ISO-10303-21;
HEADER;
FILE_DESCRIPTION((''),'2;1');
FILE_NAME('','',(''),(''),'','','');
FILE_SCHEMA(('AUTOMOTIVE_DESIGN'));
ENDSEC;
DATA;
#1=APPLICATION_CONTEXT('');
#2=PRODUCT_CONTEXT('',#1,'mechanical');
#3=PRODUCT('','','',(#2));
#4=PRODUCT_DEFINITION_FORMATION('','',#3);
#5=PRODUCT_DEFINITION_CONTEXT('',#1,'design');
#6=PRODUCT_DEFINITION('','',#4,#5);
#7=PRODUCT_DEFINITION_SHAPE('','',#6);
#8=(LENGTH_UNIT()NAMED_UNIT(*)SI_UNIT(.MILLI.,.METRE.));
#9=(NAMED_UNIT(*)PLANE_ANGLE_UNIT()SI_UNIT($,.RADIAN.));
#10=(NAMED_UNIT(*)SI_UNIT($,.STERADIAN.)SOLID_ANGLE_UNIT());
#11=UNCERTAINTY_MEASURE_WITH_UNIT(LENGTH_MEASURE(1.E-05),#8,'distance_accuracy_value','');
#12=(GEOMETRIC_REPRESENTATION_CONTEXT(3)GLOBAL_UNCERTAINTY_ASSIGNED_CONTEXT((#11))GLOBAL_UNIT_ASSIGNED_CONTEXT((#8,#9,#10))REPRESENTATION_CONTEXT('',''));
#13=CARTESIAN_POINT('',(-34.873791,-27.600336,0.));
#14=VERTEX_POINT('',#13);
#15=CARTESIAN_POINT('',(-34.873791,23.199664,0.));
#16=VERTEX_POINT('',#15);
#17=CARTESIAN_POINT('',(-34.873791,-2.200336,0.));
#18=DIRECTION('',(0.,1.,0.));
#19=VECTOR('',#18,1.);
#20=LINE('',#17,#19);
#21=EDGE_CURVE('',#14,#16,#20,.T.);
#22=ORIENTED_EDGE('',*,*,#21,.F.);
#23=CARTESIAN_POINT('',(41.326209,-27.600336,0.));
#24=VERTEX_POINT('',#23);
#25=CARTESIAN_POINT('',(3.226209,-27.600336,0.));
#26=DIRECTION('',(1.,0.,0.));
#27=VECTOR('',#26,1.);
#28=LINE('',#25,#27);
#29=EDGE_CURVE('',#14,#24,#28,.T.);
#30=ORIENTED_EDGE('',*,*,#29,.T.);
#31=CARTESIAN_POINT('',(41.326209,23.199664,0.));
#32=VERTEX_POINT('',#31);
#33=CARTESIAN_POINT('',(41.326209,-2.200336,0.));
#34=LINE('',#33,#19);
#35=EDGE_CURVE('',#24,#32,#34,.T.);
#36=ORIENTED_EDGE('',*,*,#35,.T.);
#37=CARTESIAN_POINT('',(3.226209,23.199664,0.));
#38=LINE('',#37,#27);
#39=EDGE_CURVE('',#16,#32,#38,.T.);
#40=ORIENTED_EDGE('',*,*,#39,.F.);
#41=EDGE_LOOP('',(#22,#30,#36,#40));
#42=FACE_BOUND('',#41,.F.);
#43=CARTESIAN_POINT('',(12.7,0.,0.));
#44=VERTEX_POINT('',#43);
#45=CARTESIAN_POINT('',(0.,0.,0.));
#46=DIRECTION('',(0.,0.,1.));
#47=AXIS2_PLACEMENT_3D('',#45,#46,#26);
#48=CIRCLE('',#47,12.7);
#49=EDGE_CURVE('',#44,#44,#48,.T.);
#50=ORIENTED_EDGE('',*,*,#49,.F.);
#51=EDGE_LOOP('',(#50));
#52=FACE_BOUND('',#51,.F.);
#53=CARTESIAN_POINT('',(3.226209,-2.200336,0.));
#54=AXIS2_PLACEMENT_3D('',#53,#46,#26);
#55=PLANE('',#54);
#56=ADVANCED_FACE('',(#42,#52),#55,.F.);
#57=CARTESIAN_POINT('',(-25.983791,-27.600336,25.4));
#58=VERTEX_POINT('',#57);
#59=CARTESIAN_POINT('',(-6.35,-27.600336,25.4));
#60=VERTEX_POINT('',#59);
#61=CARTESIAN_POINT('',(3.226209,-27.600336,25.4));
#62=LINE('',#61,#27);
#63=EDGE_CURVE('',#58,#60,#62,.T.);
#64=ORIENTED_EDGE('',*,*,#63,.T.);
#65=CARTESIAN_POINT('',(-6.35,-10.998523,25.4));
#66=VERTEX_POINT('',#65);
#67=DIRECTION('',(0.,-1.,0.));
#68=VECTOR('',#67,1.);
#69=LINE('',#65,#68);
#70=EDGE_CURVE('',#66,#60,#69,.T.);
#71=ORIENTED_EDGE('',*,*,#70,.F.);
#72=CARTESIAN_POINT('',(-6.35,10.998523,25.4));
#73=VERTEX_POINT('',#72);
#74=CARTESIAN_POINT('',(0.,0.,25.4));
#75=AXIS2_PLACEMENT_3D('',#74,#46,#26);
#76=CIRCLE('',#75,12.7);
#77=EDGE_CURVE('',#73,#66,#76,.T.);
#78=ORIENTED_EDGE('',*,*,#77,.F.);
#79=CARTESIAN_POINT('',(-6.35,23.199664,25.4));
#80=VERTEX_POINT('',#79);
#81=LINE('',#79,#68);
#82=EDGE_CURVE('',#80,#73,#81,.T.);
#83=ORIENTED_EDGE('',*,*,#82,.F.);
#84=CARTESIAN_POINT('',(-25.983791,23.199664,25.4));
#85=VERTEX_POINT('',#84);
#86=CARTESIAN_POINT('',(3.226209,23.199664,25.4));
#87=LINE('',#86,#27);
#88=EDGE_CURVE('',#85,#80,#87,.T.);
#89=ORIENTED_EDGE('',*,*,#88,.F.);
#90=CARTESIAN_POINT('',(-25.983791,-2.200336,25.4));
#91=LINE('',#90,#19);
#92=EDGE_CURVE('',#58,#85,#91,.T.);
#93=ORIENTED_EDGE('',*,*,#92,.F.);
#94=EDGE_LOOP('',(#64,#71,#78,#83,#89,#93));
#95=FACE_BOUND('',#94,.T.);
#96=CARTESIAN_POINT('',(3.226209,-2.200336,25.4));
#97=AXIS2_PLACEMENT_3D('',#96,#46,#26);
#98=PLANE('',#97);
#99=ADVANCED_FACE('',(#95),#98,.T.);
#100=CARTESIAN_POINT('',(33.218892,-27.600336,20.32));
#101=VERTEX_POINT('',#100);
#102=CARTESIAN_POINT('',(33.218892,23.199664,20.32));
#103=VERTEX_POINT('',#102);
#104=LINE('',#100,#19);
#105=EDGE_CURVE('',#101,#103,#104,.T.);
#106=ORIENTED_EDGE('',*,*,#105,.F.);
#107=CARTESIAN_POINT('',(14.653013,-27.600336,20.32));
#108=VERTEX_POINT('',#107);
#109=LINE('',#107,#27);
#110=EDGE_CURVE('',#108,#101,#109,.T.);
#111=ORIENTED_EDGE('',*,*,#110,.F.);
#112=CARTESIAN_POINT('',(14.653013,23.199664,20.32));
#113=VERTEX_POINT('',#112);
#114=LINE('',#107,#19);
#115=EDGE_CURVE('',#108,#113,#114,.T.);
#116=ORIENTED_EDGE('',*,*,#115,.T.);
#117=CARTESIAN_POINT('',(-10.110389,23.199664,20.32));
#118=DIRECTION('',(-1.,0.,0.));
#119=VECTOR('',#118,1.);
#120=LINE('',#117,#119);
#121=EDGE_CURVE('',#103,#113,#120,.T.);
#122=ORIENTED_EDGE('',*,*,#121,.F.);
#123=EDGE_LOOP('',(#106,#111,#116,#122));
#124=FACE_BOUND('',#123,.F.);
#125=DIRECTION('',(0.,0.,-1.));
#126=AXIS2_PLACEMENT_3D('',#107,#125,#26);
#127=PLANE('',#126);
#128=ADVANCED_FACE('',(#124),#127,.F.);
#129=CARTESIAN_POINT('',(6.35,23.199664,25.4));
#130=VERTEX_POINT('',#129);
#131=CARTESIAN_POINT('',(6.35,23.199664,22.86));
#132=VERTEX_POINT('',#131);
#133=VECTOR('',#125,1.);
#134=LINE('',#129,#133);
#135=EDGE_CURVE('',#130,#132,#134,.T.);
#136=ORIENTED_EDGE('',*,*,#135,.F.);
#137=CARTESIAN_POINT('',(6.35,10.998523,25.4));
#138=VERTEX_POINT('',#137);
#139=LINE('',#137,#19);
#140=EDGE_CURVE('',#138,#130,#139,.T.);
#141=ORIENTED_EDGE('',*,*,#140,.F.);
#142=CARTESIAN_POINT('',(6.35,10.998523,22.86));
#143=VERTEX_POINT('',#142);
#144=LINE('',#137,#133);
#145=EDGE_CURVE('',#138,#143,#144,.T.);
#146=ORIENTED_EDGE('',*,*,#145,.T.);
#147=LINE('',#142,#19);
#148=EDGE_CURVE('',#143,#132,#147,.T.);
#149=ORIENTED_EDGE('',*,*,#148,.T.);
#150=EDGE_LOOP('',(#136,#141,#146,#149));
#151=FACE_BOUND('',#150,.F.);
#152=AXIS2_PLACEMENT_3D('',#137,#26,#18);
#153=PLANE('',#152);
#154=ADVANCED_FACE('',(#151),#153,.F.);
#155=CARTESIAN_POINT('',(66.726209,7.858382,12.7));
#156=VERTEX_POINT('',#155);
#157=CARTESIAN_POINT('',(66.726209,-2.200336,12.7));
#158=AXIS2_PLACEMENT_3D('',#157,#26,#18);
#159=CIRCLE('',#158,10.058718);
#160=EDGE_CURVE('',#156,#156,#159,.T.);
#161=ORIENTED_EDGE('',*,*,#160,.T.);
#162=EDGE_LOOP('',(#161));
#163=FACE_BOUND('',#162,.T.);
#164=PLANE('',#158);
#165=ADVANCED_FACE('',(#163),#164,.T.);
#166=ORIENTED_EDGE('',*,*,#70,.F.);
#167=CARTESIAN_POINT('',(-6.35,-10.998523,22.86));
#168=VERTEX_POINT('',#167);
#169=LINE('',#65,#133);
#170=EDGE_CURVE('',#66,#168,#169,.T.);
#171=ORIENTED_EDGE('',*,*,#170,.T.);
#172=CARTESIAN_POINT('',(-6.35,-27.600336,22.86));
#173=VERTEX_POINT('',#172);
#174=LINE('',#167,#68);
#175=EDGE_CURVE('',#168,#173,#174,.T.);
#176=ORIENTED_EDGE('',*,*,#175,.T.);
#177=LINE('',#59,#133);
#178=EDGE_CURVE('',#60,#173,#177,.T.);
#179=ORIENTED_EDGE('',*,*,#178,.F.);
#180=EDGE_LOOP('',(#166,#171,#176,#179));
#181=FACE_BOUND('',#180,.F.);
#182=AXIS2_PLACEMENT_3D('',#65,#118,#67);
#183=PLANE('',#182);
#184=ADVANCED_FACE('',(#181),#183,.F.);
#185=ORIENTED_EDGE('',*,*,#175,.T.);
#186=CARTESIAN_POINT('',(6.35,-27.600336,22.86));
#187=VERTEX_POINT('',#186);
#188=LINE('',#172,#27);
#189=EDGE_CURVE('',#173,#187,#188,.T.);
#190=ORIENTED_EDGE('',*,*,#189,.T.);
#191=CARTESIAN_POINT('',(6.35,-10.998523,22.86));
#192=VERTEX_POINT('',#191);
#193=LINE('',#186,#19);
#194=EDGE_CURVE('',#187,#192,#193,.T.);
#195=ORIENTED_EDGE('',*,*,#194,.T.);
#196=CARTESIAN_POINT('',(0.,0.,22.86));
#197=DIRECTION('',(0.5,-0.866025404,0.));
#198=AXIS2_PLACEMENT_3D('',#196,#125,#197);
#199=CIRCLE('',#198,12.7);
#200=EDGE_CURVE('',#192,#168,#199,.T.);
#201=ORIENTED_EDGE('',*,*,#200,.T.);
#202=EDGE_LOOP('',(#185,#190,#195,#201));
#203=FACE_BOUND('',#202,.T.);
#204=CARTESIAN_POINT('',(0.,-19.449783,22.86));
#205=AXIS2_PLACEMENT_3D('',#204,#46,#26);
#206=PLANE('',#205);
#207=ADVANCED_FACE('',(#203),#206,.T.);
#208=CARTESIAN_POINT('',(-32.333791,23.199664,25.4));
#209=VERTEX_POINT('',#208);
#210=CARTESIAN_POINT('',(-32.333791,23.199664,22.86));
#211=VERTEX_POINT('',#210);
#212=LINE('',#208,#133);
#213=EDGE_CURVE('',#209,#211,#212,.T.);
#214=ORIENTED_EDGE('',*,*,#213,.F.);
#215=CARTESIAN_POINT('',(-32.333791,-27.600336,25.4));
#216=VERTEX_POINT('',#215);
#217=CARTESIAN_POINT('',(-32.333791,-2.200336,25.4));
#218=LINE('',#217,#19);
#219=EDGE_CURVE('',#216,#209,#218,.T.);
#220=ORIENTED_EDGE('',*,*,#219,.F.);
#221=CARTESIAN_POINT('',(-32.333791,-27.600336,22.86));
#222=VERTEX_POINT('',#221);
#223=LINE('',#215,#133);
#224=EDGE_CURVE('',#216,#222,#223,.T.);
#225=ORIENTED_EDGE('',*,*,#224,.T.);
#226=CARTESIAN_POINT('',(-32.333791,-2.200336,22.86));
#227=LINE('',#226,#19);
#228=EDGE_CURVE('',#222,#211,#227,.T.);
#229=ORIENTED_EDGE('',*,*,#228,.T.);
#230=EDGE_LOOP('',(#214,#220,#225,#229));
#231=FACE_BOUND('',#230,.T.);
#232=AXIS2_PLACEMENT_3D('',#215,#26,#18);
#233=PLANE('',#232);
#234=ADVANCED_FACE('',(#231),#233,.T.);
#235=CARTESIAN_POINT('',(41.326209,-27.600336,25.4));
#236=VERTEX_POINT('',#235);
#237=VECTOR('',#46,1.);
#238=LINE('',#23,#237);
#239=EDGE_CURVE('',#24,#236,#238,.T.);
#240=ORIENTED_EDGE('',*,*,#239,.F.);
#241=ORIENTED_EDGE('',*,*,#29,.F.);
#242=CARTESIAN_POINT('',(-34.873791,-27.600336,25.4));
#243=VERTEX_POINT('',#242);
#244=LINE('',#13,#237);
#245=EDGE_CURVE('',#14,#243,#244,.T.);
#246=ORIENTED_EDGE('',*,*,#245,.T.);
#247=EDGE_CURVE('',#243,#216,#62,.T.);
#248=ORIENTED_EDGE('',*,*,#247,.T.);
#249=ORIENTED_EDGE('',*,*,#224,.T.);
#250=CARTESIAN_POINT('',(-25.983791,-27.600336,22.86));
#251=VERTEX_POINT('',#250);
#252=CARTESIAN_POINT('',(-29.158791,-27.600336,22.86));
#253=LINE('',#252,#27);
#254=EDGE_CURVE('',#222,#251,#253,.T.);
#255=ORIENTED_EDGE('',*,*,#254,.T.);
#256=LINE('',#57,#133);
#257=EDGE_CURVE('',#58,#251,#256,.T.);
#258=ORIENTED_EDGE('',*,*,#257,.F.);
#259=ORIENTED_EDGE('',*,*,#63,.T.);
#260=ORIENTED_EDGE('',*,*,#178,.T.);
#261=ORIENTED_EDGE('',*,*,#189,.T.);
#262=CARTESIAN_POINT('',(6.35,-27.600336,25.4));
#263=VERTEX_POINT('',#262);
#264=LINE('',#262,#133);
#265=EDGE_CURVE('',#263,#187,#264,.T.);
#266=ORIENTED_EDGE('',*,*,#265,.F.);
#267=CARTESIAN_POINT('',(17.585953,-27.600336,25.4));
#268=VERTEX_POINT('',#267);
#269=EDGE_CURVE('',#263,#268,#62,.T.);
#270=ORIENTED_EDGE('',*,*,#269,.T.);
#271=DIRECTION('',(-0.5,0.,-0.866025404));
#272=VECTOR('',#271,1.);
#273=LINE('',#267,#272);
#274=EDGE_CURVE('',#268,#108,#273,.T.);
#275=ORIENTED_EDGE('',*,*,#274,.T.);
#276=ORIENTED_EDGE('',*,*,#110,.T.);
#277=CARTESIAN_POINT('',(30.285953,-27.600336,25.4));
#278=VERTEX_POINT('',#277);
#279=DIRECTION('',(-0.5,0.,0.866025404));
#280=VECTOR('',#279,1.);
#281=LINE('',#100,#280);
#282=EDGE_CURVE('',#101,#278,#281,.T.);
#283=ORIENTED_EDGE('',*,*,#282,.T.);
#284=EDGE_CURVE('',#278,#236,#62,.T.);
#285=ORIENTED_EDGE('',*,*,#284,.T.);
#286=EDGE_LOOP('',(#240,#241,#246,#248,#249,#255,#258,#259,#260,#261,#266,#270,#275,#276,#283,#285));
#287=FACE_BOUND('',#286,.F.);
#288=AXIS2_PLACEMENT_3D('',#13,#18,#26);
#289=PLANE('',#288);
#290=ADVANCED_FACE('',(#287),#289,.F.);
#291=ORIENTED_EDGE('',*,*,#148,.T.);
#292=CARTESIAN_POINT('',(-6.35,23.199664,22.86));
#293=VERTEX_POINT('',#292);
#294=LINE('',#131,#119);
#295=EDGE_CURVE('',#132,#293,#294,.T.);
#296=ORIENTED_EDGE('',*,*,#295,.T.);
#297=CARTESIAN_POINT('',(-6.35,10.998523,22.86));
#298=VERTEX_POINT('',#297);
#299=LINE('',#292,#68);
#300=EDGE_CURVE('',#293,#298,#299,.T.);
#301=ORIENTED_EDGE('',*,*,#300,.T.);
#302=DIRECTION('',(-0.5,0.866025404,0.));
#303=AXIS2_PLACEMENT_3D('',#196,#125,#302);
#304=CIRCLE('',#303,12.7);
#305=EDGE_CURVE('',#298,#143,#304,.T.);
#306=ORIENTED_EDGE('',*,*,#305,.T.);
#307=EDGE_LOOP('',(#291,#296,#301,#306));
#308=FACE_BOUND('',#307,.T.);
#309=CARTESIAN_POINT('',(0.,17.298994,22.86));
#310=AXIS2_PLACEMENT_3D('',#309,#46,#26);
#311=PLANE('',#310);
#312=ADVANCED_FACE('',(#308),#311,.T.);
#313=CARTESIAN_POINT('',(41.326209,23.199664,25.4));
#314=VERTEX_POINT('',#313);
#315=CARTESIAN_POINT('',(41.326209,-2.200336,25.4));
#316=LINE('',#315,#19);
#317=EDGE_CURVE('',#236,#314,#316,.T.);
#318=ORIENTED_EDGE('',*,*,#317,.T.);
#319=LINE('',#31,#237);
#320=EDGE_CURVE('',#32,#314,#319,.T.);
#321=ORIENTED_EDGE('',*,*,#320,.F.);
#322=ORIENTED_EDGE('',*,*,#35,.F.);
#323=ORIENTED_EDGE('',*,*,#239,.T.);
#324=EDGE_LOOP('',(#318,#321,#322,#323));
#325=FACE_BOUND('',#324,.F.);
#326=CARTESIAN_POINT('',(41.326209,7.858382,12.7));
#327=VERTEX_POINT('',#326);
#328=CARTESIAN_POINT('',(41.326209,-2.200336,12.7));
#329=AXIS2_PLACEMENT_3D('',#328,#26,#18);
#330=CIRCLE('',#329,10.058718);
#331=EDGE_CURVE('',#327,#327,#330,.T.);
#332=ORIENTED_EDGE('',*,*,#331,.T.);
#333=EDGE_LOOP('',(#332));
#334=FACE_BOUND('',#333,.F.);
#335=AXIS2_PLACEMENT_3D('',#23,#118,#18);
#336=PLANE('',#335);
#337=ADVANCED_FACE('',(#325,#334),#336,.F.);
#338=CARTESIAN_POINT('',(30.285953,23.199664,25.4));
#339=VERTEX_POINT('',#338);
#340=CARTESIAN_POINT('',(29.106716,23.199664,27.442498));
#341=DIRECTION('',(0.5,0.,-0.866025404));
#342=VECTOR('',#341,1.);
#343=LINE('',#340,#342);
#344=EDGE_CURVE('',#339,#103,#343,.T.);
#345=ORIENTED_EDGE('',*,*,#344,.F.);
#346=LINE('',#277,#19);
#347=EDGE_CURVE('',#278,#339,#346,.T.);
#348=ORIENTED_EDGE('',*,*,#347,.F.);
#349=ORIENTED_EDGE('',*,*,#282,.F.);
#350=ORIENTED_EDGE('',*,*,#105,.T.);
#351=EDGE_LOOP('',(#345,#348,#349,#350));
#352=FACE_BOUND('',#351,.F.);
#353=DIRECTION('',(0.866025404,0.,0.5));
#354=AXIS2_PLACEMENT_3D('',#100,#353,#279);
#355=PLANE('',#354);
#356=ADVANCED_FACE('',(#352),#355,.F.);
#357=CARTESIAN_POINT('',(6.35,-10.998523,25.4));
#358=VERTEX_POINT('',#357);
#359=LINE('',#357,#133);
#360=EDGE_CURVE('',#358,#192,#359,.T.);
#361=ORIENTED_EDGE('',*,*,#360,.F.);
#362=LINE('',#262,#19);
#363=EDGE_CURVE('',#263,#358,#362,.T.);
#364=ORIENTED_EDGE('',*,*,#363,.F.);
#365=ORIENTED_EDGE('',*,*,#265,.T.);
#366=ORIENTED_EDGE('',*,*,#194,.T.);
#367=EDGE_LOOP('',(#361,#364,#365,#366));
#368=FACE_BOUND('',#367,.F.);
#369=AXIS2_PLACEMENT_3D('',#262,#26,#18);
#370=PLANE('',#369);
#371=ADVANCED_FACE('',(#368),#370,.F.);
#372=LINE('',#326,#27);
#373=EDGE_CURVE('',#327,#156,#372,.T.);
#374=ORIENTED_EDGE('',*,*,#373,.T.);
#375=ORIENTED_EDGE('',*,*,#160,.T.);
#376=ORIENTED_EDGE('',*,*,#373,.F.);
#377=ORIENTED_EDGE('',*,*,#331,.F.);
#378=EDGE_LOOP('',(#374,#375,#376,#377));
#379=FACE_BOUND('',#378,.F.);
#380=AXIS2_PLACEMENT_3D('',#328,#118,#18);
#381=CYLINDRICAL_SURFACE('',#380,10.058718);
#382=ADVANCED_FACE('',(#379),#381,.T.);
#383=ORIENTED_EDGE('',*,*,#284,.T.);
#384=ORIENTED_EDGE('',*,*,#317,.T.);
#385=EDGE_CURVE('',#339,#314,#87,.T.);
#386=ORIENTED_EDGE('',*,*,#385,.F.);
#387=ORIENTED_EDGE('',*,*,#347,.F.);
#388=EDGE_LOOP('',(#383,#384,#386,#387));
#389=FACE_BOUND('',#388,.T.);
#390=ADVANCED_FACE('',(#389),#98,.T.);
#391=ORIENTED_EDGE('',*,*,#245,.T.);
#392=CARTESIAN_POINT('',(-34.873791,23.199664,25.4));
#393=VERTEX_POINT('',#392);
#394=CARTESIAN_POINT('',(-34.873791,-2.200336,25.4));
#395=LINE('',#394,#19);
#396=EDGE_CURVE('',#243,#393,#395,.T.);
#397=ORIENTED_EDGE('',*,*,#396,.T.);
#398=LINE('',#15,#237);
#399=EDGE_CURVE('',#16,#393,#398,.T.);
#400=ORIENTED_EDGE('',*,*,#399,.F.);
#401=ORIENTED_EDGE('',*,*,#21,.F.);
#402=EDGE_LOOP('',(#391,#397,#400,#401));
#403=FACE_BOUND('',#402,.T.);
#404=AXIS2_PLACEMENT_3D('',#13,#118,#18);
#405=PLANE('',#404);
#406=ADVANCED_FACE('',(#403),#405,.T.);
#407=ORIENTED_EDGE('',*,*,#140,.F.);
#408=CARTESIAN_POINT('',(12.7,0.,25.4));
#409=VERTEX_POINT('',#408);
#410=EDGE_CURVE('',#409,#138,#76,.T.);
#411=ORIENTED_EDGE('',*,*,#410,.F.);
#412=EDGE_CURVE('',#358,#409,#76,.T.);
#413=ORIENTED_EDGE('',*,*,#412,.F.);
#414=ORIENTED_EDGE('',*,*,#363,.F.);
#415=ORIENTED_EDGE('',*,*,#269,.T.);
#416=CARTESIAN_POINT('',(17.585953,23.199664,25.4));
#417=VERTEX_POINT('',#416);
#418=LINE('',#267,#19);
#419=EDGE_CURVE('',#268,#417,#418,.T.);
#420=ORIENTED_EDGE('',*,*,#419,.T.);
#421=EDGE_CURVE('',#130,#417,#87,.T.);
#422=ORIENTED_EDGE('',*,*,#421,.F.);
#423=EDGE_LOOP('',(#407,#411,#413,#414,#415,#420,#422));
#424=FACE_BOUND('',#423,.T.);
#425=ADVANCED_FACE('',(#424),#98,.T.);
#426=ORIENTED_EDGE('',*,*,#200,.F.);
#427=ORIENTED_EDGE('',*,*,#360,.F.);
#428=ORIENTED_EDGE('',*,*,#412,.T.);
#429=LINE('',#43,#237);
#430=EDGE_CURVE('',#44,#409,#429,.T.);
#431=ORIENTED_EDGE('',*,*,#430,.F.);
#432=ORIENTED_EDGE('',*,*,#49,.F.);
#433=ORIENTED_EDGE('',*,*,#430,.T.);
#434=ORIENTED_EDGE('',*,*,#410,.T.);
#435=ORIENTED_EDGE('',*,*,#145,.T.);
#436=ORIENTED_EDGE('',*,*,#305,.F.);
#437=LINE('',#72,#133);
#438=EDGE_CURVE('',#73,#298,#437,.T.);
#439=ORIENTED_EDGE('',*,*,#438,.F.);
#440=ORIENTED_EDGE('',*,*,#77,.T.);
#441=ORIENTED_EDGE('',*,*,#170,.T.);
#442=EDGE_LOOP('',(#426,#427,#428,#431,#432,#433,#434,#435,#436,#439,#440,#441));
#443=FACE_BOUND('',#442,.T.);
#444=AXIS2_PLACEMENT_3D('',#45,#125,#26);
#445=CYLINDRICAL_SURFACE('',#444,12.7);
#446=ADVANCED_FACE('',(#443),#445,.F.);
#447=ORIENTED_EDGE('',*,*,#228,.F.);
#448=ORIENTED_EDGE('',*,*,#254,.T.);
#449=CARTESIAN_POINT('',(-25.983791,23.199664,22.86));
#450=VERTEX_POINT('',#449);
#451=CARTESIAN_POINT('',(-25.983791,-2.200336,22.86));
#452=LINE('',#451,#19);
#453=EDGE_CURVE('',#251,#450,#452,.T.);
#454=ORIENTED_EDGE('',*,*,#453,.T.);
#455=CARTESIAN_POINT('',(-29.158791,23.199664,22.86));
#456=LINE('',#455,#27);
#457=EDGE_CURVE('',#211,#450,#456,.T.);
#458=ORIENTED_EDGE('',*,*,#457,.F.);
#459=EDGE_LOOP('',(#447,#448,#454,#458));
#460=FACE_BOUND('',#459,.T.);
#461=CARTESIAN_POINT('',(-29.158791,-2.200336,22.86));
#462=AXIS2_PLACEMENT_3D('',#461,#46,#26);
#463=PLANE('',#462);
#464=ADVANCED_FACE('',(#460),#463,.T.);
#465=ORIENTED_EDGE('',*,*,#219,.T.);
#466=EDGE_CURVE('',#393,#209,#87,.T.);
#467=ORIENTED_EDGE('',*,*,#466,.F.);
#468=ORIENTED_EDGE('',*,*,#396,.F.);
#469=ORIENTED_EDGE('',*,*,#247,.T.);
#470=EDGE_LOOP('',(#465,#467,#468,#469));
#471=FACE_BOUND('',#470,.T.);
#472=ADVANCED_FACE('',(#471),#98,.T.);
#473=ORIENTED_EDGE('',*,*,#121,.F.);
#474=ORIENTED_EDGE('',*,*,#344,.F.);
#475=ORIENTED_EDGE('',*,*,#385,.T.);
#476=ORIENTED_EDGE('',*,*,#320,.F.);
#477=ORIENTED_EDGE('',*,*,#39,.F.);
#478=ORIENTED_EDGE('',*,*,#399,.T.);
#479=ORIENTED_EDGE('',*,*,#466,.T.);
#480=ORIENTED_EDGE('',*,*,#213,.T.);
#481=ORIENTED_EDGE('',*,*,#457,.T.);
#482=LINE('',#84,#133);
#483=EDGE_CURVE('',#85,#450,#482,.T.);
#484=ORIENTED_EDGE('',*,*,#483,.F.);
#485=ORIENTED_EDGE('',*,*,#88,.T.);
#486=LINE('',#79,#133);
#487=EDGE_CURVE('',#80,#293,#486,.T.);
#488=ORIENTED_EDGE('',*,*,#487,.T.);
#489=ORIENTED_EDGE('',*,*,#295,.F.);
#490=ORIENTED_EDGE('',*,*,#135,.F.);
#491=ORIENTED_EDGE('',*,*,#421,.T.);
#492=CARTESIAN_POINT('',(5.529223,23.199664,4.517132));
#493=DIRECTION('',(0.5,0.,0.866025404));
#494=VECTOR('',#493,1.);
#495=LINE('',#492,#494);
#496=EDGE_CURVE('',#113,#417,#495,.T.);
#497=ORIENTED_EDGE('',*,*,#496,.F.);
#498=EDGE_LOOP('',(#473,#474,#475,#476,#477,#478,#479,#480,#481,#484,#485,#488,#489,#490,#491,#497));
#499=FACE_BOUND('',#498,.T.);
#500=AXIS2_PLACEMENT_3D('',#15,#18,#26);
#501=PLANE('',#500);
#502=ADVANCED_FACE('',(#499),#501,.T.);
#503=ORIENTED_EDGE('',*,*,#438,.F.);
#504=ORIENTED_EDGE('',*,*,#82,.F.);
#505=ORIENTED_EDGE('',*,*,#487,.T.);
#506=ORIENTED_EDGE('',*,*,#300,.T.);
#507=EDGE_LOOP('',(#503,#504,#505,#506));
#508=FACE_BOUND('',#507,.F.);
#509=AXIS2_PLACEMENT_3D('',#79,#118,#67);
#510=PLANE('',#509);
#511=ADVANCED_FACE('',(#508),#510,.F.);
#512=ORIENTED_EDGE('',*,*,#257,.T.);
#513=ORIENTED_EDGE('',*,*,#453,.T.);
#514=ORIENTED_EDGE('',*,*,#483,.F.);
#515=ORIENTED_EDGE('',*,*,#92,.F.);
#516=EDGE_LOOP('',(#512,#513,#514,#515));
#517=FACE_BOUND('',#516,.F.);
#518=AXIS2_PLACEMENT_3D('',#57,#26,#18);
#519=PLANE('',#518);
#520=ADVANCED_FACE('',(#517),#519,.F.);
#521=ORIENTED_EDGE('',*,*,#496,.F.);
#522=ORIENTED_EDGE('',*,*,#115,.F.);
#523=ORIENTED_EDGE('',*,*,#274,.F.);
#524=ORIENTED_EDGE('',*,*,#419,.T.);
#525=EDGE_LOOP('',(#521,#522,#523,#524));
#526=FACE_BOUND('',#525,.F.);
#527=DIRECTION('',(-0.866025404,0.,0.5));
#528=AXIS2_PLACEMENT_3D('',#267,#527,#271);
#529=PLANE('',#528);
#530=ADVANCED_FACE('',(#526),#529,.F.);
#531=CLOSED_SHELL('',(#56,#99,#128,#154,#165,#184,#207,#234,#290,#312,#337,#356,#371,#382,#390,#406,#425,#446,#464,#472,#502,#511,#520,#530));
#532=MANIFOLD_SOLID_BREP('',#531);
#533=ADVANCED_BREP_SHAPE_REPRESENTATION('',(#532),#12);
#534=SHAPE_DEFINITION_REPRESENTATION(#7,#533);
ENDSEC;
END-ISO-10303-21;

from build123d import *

# Parameters (mm, degrees)
F0_W     = 76.2
F0_H     = 50.8
F0_R     = 12.7
F1_DEPTH = 25.4
F2_W     = 6.35
F2_H     = 50.8
F3_DEPTH = 2.54
F5_R     = 10.0587183536
F6_DEPTH = 25.4
F7_DEPTH = 12.446
F8_DEPTH = 70.358


with BuildPart() as f1:
    # F0 (on Top) → F1 (new body)
    with BuildSketch(Plane.XY):
        with Locations((3.2262094319, -2.200336157)):
            Rectangle(F0_W, F0_H)
        Circle(F0_R, mode=Mode.SUBTRACT)
    extrude(amount=F1_DEPTH)

    # F2 (on face) → F3 (cut)
    with BuildSketch(Plane.XY.offset(25.4)):
        with Locations((-29.1587905681, -2.200336157)):
            Rectangle(F2_W, F2_H)
        with BuildLine():
            Line((-6.35, -10.9985226281), (-6.35, -27.600336157))
            Line((-6.35, -27.600336157), (6.35, -27.600336157))
            Line((6.35, -27.600336157), (6.35, -10.9985226281))
            ThreePointArc((6.35, -10.9985226281), (0, -12.7), (-6.35, -10.9985226281))
        make_face()
        with BuildLine():
            Line((6.35, 23.199663843), (-6.35, 23.199663843))
            Line((-6.35, 23.199663843), (-6.35, 10.9985226281))
            ThreePointArc((-6.35, 10.9985226281), (0, 12.7), (6.35, 10.9985226281))
            Line((6.35, 10.9985226281), (6.35, 23.199663843))
        make_face()
    extrude(amount=-F3_DEPTH, mode=Mode.SUBTRACT)

    # F5 (on face) → F6 (join)
    with BuildSketch(Plane.YZ.offset(41.3262094319)):
        with Locations((-2.200336157, 12.7)):
            Circle(F5_R)
    extrude(amount=F6_DEPTH)

    # F5 (on face) → F7 (join)
    with BuildSketch(Plane.YZ.offset(41.3262094319)):
        with Locations((-2.200336157, 12.7)):
            Circle(F5_R)
    extrude(amount=-F7_DEPTH)

    # F4 (on face) → F8 (cut)
    with BuildSketch(Plane.XZ.offset(27.600336157)):
        Polygon((30.2859525938, 25.4), (17.5859525938, 25.4), (14.6530132263, 20.32), (33.2188919613, 20.32), align=None)
    extrude(amount=-F8_DEPTH, mode=Mode.SUBTRACT)


solid = f1.part
